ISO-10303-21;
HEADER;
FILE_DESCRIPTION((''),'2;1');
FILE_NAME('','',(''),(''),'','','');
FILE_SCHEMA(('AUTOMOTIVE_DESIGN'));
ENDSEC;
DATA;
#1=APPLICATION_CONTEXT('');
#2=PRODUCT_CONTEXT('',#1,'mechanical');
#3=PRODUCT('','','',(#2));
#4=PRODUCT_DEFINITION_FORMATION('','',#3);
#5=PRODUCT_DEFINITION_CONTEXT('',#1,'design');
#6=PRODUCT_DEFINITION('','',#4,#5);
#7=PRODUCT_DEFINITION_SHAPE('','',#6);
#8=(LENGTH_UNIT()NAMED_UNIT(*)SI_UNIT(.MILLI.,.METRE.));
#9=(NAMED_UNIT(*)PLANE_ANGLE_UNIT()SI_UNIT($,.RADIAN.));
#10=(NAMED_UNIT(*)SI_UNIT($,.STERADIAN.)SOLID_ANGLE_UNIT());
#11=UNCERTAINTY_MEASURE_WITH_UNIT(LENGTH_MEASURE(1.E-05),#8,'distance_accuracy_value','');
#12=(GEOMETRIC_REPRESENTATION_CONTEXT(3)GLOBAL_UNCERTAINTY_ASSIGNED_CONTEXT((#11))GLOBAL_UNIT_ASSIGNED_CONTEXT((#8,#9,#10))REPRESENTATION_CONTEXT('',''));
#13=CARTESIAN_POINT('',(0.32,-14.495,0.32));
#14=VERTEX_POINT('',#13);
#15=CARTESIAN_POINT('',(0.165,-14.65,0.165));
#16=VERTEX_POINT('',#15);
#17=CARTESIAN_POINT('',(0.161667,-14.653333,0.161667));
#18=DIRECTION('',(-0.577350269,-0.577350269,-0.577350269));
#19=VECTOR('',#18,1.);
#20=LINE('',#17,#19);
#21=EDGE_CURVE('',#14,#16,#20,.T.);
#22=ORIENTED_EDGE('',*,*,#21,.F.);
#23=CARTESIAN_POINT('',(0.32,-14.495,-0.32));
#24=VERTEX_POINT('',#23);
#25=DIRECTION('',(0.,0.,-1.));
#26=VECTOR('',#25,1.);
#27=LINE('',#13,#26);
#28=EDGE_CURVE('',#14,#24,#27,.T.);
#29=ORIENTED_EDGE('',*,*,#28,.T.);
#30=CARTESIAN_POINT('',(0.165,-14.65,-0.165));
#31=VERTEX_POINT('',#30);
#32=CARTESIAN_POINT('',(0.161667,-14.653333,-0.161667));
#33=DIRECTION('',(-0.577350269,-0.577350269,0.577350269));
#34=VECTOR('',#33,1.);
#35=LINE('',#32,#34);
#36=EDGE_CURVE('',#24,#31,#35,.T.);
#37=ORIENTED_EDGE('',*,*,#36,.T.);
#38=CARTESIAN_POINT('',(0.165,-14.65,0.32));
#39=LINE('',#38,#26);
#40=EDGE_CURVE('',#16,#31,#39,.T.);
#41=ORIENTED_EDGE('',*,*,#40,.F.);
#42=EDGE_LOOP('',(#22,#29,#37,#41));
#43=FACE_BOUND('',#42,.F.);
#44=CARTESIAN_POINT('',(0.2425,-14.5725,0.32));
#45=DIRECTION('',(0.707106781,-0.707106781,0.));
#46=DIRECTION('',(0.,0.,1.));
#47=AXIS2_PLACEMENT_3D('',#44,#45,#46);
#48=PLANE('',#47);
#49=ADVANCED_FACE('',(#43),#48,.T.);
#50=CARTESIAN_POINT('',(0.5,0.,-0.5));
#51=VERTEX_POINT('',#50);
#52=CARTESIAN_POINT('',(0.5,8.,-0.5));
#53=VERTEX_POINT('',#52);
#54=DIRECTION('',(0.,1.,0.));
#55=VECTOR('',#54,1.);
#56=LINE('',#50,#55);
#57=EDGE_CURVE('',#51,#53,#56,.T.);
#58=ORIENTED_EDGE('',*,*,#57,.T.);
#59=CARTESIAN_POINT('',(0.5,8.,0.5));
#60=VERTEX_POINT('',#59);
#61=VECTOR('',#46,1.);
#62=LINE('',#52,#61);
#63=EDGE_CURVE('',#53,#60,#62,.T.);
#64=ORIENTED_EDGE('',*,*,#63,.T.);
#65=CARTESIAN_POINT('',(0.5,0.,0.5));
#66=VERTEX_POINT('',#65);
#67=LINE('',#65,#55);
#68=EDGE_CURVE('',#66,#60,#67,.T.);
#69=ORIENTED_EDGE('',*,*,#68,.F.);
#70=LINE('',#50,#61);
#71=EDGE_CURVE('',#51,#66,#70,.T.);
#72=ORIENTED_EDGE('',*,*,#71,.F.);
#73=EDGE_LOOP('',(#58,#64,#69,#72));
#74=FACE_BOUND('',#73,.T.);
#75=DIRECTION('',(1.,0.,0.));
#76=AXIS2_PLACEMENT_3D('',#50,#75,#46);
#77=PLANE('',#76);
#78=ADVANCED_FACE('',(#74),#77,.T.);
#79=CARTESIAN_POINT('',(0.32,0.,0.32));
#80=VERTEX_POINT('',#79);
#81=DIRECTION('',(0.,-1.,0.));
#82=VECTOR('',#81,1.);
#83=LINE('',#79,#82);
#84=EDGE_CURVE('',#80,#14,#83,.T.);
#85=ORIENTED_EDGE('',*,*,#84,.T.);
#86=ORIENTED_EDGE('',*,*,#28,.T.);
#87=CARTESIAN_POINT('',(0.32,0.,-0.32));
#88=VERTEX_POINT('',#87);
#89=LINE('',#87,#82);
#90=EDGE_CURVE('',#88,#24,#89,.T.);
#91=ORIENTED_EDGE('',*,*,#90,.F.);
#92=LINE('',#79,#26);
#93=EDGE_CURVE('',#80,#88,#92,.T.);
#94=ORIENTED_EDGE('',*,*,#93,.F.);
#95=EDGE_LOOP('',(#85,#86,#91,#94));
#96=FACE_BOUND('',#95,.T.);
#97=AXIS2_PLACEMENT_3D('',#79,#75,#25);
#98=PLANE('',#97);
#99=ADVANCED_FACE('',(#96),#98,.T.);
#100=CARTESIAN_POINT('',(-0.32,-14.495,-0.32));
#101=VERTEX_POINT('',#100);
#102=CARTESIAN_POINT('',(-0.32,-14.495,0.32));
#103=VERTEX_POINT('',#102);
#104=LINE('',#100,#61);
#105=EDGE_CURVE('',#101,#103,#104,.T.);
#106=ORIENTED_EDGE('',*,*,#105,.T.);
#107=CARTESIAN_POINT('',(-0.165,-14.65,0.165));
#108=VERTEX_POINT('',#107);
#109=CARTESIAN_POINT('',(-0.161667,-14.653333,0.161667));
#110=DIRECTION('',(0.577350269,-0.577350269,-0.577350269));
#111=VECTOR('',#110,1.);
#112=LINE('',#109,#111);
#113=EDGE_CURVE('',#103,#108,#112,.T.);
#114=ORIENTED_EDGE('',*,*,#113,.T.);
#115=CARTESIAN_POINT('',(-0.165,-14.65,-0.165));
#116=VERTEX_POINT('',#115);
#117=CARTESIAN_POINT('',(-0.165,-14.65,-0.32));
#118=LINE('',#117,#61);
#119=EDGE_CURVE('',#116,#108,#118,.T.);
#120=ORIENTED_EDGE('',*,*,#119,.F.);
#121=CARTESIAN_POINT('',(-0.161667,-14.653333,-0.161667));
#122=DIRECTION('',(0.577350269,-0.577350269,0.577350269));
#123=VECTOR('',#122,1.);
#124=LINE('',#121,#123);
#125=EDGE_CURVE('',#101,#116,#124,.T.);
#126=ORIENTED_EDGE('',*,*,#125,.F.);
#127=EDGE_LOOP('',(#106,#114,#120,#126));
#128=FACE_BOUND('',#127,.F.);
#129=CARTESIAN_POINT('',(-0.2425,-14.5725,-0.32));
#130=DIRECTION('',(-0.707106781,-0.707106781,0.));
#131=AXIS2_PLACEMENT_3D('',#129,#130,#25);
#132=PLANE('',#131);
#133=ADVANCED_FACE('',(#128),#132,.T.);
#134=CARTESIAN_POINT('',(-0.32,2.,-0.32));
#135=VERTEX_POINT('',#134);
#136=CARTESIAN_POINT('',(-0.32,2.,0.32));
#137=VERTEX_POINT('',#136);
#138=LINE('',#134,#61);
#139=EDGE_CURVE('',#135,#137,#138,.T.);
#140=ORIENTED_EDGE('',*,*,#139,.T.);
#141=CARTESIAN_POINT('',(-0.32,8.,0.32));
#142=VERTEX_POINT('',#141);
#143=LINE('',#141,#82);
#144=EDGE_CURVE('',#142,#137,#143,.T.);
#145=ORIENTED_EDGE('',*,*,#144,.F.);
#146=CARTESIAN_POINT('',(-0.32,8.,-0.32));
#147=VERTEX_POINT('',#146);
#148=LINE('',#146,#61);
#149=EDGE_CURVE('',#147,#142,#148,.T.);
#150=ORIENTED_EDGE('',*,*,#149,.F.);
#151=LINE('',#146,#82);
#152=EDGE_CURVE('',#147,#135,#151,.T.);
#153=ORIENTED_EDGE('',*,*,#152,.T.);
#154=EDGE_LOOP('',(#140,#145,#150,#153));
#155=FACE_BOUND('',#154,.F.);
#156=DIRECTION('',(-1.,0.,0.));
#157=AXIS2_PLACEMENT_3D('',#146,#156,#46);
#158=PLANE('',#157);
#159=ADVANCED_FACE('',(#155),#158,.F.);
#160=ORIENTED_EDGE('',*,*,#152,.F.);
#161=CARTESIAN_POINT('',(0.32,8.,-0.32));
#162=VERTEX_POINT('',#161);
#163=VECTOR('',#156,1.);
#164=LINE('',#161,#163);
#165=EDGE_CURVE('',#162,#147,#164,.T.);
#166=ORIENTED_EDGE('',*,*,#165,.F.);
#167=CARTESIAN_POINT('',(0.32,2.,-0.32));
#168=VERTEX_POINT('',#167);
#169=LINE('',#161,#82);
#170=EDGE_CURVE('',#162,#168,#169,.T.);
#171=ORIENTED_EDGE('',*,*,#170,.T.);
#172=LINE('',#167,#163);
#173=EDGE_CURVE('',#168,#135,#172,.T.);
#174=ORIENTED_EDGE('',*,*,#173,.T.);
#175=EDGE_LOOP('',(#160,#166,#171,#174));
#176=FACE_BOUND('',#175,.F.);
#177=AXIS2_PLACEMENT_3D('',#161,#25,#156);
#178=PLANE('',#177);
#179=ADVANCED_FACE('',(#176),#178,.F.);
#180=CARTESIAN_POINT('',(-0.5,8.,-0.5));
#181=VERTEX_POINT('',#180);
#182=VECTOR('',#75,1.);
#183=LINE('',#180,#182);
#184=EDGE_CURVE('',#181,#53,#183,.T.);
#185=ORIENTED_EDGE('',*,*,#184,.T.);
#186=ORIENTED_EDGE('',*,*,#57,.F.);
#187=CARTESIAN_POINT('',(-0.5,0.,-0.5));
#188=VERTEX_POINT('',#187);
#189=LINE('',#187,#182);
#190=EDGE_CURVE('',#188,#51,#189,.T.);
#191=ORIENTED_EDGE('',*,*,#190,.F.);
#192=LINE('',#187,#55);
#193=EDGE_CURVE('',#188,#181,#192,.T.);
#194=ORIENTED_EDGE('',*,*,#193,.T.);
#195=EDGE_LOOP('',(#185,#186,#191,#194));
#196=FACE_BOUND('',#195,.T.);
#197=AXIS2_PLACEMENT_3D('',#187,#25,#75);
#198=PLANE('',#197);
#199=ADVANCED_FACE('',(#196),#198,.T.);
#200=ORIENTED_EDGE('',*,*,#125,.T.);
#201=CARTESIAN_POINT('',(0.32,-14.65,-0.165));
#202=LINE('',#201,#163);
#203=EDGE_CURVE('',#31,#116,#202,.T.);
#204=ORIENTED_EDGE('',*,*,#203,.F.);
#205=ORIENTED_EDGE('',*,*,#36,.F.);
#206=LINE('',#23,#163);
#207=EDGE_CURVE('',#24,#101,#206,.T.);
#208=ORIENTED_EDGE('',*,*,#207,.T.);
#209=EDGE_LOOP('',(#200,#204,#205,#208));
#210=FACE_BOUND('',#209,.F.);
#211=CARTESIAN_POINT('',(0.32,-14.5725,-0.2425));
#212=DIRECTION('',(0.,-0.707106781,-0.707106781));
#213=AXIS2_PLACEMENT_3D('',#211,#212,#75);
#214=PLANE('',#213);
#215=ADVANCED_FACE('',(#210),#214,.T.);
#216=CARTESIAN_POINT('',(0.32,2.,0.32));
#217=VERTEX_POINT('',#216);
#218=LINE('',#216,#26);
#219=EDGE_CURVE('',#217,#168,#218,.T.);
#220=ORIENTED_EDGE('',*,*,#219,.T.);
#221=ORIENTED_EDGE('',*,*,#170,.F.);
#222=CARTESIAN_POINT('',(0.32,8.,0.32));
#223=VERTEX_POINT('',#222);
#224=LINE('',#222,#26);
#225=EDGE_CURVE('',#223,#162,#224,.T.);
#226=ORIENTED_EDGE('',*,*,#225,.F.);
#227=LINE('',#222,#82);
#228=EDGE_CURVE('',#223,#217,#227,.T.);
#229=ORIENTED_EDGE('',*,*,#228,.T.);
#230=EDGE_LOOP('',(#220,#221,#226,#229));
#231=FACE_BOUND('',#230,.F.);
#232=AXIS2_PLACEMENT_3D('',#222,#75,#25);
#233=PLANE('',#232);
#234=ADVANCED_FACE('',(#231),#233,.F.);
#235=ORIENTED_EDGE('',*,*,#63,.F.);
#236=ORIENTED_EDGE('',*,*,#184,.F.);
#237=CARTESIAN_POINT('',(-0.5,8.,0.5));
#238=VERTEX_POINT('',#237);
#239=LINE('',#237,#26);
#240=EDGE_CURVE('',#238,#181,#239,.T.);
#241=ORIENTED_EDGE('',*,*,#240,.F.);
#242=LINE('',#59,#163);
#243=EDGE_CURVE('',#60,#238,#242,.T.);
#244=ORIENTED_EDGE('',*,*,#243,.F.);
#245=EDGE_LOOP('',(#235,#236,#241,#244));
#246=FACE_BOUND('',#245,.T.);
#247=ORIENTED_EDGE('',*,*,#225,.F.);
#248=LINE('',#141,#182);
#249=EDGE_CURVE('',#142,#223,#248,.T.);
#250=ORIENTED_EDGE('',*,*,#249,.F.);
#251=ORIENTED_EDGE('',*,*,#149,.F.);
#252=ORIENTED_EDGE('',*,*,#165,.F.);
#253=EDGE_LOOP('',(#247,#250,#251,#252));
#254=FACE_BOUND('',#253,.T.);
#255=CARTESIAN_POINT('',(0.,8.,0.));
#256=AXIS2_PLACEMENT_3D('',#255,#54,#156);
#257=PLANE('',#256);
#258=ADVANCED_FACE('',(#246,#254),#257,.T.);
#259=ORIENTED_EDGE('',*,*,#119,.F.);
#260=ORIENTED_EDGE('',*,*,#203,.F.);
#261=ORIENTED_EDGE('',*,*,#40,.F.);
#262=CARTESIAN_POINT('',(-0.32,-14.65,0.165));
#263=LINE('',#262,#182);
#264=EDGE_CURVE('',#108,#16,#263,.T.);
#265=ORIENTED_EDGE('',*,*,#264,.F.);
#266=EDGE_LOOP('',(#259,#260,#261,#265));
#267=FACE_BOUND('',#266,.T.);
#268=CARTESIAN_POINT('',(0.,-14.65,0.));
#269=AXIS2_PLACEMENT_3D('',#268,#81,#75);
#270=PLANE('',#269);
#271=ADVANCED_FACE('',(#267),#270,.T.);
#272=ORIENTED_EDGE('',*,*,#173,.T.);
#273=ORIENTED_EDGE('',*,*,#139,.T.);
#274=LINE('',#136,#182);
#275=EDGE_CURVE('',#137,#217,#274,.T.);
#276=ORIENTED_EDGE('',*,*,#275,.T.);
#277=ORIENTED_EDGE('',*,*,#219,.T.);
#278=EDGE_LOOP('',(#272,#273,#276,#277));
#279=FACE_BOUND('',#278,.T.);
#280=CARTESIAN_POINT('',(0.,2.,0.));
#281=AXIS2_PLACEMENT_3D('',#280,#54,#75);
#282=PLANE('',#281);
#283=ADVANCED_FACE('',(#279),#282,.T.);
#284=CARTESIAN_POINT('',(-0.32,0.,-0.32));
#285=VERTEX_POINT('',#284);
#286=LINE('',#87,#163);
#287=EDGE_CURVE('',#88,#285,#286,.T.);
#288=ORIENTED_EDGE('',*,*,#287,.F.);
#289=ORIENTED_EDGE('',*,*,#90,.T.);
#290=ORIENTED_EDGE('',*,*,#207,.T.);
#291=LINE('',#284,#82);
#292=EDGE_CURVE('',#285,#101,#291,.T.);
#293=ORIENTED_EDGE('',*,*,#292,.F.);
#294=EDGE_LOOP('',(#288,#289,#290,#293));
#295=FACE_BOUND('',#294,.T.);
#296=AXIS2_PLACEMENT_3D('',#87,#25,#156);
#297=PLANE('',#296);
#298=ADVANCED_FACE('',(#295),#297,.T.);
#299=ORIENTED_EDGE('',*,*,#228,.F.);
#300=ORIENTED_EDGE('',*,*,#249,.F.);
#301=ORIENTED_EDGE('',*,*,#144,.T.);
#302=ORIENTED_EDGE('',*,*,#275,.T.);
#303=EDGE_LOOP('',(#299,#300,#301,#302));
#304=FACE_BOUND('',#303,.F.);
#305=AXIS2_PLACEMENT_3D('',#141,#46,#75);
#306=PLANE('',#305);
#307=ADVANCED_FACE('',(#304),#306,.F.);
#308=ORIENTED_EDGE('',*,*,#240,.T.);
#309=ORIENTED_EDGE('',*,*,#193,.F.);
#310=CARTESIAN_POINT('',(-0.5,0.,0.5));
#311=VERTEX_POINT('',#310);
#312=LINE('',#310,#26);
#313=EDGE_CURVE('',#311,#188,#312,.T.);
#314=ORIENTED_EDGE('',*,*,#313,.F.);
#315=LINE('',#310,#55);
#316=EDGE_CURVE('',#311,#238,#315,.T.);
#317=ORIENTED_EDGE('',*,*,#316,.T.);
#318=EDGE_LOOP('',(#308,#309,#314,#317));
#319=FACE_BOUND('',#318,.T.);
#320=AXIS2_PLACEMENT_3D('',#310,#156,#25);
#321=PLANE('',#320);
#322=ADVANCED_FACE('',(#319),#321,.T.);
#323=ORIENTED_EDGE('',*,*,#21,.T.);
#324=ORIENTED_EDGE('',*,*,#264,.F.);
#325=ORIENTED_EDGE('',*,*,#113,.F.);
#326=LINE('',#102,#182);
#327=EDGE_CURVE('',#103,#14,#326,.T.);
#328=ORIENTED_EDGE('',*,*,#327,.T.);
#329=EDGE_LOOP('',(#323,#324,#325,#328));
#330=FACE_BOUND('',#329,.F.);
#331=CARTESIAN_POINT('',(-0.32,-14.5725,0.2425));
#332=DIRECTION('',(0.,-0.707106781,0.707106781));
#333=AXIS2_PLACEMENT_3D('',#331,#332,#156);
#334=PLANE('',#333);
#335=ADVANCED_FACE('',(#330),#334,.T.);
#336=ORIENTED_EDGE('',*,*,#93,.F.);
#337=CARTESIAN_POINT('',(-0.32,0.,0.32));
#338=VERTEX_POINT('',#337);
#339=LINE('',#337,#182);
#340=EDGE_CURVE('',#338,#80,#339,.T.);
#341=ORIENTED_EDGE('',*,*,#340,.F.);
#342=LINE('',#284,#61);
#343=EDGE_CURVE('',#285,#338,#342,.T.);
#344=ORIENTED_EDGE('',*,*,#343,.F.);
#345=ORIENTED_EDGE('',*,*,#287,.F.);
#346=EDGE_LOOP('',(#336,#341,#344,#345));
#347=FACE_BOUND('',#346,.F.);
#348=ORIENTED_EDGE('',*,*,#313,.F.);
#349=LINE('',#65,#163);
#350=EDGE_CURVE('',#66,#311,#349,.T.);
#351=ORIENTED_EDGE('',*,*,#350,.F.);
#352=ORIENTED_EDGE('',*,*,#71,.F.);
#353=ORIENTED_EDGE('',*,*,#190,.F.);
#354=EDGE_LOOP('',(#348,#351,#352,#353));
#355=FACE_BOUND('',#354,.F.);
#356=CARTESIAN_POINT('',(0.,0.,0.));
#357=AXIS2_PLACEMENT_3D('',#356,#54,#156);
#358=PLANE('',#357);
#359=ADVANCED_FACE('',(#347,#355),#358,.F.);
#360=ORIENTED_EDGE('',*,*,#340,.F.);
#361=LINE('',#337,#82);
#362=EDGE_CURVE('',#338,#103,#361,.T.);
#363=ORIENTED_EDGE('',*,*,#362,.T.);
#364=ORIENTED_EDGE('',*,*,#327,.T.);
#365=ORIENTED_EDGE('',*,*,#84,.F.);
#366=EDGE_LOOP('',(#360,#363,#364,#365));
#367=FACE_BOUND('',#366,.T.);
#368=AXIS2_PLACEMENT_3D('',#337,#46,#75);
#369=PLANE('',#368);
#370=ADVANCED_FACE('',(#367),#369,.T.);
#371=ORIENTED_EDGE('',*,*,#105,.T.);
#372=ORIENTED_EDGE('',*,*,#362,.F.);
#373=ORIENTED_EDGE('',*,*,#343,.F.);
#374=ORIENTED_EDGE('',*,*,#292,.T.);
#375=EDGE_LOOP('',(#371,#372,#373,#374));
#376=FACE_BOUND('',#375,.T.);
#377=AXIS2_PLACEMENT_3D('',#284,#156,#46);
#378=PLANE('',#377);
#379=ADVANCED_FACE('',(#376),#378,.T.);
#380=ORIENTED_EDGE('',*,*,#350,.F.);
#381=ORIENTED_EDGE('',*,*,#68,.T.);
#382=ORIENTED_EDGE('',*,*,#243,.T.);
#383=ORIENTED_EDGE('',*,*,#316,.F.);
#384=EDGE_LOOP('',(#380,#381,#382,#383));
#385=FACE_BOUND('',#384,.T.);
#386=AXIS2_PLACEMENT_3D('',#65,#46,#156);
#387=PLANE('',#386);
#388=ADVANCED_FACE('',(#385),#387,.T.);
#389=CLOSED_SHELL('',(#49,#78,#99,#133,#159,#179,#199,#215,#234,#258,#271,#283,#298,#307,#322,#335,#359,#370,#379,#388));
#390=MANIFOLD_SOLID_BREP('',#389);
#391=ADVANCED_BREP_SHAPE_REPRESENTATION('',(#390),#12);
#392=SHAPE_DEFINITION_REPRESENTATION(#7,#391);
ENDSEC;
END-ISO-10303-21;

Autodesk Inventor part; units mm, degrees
ref_plane "YZ Plane" through (0, 0, 0) normal (1, 0, 0) x (0, 1, 0)
ref_plane "XZ Plane" through (0, 0, 0) normal (0, 1, 0) x (-1, 0, 0)
ref_plane "XY Plane" through (0, 0, 0) normal (0, 0, 1) x (1, 0, 0)
sketch "Sketch1" plane through (0, 0, 0) normal (0, 1, 0) x (-1, 0, 0)
  line L0 (-0.5, 0.5) -> (0.5, 0.5)
  line L1 (0.5, 0.5) -> (0.5, -0.5)
  line L2 (0.5, -0.5) -> (-0.5, -0.5)
  line L3 (-0.5, -0.5) -> (-0.5, 0.5)
  line L4 (-0.5, 0.5) -> (0.5, -0.5) construction
  line L5 (0.5, 0.5) -> (-0.5, -0.5) construction
  point P0 (0, 0)
  dimension "d0" = 1
  dimension "d1" = 1
extrude "Extrusion1" add sketch "Sketch1" along normal blind 8
sketch "Sketch2" plane through (0, 0, 0) normal (0, -1, 0) x (1, 0, 0)
  line L0 (-0.32, 0.32) -> (0.32, 0.32)
  line L1 (0.32, 0.32) -> (0.32, -0.32)
  line L2 (0.32, -0.32) -> (-0.32, -0.32)
  line L3 (-0.32, -0.32) -> (-0.32, 0.32)
  line L4 (-0.32, 0.32) -> (0.32, -0.32) construction
  line L5 (0.32, 0.32) -> (-0.32, -0.32) construction
  point P0 (0, 0)
  dimension "d4" = 0.64
  dimension "d5" = 0.64
extrude "Extrusion2" add sketch "Sketch2" along normal blind 14.65
chamfer "Chamfer1" distance 0.155 angle 45 4 edges at (0, -14.65, 0.32) (0.32, -14.65, 0) (0, -14.65, -0.32) (-0.32, -14.65, 0)
sketch "Sketch3" plane through (0, 8, 0) normal (0, 1, 0) x (1, 0, 0)
  line L0 (0.32, 0.32) -> (-0.32, 0.32)
  line L1 (-0.32, 0.32) -> (-0.32, -0.32)
  line L2 (-0.32, -0.32) -> (0.32, -0.32)
  line L3 (0.32, -0.32) -> (0.32, 0.32)
  line L4 (0.32, 0.32) -> (-0.32, -0.32) construction
  line L5 (-0.32, 0.32) -> (0.32, -0.32) construction
  point P0 (0, 0)
  dimension "d11" = 0.64
  dimension "d12" = 0.64
extrude "Extrusion3" cut sketch "Sketch3" against normal blind 6
properties part number "pin" material "Gold"
